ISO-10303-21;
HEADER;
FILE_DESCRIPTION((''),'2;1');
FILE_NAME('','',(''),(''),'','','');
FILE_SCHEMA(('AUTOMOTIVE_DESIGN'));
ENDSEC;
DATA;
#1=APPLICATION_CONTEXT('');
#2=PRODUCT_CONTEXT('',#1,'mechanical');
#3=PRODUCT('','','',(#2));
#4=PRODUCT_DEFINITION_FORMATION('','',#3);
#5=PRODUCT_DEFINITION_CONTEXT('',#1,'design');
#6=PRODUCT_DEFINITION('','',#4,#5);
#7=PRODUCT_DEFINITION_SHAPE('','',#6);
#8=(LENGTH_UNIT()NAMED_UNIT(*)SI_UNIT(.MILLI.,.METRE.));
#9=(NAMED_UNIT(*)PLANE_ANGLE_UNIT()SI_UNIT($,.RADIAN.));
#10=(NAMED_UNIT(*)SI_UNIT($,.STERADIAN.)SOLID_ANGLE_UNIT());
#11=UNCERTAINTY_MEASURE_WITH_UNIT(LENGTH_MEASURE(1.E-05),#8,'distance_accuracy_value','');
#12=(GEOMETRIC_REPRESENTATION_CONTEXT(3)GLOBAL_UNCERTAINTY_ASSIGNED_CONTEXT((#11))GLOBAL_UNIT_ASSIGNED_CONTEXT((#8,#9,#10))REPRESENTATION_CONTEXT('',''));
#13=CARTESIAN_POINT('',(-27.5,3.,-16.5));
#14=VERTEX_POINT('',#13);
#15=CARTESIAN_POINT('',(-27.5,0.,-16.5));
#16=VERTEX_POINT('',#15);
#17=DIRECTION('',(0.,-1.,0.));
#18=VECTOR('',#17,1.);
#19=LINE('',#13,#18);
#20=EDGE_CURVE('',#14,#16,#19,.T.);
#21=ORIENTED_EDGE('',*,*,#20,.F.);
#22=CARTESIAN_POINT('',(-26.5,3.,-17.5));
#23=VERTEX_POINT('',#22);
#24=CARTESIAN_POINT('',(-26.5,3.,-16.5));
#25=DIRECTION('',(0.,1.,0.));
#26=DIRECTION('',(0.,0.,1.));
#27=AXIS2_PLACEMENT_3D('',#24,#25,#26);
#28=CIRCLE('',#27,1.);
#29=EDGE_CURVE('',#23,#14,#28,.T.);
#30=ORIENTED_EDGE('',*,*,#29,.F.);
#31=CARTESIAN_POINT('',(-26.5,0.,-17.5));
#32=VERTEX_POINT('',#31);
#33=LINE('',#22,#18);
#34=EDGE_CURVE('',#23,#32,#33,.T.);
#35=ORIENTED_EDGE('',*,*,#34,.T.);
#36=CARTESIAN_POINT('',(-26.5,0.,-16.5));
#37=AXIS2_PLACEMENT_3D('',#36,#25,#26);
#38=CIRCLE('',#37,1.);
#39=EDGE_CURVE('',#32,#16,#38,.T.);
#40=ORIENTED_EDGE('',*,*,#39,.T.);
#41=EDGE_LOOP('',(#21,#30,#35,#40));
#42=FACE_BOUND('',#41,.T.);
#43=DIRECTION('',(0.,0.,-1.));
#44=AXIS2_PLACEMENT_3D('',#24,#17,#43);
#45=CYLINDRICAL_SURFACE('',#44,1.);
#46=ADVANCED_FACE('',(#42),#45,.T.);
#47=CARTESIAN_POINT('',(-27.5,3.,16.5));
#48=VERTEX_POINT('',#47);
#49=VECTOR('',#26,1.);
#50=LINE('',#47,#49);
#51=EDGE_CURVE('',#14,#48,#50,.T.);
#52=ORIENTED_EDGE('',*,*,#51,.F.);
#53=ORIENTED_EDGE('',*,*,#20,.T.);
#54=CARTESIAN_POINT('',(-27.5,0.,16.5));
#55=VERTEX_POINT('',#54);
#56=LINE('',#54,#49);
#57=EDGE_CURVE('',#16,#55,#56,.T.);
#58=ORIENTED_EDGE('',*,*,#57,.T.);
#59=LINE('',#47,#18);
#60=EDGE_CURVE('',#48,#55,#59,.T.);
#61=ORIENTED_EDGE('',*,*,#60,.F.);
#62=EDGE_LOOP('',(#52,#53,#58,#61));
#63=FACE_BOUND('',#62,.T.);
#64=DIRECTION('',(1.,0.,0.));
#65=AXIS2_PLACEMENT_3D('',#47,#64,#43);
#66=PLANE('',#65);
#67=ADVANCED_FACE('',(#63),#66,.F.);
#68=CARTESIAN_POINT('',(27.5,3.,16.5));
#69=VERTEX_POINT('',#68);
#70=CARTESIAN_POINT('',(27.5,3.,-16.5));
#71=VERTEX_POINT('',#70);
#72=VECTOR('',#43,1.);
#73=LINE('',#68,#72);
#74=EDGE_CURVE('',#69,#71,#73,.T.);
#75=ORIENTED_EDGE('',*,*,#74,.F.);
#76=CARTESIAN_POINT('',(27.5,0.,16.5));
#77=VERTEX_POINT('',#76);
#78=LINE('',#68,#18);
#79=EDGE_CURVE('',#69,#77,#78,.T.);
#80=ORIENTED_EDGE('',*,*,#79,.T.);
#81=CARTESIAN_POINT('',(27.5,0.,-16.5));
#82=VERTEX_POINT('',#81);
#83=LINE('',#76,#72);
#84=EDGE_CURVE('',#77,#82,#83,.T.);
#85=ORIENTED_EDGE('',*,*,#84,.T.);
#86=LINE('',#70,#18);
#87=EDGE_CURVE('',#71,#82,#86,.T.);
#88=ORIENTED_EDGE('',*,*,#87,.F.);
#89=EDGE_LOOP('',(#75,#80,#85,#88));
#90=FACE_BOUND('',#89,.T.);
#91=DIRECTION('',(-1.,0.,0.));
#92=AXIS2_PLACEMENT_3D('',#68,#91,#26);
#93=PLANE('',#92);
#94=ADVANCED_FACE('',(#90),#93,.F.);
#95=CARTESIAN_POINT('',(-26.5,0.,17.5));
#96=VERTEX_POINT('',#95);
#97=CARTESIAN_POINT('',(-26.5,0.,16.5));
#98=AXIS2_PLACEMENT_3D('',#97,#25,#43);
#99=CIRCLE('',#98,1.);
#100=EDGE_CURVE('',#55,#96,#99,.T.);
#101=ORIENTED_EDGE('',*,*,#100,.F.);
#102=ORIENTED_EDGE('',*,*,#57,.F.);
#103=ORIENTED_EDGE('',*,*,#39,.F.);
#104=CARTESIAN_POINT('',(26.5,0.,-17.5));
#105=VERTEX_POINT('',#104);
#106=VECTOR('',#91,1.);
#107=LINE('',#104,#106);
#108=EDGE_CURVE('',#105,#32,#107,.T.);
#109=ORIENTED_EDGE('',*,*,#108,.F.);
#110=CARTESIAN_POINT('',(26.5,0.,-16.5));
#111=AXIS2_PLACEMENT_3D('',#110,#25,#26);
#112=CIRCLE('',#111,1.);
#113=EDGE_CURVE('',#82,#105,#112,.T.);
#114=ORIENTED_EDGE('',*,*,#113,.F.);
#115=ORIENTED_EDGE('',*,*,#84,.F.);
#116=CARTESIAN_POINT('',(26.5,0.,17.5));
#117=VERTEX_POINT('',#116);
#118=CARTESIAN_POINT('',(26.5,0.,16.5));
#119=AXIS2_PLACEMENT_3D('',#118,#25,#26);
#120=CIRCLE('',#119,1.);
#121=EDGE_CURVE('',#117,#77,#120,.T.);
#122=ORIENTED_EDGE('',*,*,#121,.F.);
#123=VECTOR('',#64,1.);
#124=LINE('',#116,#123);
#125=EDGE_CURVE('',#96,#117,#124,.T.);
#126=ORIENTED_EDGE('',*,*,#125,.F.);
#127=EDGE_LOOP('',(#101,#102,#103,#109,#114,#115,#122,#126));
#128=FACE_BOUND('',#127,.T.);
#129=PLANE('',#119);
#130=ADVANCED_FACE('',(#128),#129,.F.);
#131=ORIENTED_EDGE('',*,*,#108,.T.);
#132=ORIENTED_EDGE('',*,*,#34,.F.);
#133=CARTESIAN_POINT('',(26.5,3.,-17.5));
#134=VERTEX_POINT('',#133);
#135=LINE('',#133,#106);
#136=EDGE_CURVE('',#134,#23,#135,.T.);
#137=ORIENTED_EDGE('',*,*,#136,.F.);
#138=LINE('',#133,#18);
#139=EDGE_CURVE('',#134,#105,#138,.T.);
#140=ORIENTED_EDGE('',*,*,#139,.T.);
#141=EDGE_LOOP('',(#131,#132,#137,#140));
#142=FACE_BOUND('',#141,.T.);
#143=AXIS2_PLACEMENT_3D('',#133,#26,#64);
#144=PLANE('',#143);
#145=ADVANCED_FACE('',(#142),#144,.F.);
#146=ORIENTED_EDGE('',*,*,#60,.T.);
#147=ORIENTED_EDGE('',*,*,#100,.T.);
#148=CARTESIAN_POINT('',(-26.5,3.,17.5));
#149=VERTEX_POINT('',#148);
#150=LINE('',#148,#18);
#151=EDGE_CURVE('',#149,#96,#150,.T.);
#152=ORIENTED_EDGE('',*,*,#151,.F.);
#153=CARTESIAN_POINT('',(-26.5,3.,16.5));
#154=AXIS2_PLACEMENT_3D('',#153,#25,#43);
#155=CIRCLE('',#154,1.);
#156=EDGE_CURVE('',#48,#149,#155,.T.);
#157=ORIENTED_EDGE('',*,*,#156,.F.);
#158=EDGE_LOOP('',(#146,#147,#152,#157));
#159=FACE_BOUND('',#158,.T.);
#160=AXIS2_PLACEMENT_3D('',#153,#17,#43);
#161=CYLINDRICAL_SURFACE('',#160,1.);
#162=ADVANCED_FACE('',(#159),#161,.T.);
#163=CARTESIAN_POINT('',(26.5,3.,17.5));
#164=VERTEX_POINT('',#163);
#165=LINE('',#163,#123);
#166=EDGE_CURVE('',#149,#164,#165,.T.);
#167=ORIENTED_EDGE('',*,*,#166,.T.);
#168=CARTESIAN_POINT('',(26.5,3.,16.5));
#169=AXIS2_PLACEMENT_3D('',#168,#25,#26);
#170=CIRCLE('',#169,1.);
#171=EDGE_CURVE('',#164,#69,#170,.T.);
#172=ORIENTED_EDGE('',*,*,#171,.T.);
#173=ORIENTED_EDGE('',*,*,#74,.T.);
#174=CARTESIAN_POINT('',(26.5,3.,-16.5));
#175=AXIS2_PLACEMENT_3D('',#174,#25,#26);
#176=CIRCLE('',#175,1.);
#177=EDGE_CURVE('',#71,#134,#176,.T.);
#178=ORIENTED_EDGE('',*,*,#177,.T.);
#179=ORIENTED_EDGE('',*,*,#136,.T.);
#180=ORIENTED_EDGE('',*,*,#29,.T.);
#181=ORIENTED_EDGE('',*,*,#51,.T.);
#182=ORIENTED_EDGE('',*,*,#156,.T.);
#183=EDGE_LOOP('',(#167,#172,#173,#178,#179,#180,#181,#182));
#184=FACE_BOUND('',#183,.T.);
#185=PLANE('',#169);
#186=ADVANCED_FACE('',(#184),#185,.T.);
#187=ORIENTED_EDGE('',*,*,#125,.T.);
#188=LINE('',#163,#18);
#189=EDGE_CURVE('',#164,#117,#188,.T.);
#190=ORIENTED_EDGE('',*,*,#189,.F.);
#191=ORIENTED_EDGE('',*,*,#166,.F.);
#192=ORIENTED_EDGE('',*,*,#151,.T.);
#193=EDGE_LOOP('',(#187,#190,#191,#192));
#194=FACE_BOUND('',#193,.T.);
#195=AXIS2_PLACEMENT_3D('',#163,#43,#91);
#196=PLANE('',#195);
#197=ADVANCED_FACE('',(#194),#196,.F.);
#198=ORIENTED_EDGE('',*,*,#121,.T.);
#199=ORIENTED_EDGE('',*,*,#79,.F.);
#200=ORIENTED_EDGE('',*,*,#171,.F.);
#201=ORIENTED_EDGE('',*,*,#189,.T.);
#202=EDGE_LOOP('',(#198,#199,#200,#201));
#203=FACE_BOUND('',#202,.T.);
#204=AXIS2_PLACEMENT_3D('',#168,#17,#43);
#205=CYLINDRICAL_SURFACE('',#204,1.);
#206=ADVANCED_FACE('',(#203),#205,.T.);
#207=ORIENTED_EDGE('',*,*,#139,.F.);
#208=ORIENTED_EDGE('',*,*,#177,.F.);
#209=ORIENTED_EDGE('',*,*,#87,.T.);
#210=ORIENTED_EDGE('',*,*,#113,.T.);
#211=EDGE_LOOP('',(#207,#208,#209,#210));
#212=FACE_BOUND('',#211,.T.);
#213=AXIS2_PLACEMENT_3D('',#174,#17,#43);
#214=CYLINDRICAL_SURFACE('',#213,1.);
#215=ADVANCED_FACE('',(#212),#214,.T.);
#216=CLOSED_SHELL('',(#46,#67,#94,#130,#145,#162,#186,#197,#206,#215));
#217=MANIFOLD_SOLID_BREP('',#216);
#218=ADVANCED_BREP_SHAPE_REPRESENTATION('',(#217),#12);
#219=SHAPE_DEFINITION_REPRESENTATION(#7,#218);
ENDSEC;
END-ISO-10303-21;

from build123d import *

# Parameters (mm, degrees)
EXTRUDE_1_DEPTH = 3


with BuildPart() as part:
    # 草图1 → 凸台-拉伸1 (new body)
    with BuildSketch(Plane(origin=(0, 0, 0), x_dir=(1, 0, 0), z_dir=(0, 1, 0))):
        with BuildLine():
            Line((26.5, -17.5), (-26.5, -17.5))
            ThreePointArc((-26.5, -17.5), (-27.207106781, -17.207106781), (-27.5, -16.5))
            Line((-27.5, -16.5), (-27.5, 16.5))
            ThreePointArc((-27.5, 16.5), (-27.207106781, 17.207106781), (-26.5, 17.5))
            Line((-26.5, 17.5), (26.5, 17.5))
            ThreePointArc((26.5, 17.5), (27.207106781, 17.207106781), (27.5, 16.5))
            Line((27.5, 16.5), (27.5, -16.5))
            ThreePointArc((27.5, -16.5), (27.207106781, -17.207106781), (26.5, -17.5))
        make_face()
    extrude(amount=EXTRUDE_1_DEPTH)


solid = part.part
